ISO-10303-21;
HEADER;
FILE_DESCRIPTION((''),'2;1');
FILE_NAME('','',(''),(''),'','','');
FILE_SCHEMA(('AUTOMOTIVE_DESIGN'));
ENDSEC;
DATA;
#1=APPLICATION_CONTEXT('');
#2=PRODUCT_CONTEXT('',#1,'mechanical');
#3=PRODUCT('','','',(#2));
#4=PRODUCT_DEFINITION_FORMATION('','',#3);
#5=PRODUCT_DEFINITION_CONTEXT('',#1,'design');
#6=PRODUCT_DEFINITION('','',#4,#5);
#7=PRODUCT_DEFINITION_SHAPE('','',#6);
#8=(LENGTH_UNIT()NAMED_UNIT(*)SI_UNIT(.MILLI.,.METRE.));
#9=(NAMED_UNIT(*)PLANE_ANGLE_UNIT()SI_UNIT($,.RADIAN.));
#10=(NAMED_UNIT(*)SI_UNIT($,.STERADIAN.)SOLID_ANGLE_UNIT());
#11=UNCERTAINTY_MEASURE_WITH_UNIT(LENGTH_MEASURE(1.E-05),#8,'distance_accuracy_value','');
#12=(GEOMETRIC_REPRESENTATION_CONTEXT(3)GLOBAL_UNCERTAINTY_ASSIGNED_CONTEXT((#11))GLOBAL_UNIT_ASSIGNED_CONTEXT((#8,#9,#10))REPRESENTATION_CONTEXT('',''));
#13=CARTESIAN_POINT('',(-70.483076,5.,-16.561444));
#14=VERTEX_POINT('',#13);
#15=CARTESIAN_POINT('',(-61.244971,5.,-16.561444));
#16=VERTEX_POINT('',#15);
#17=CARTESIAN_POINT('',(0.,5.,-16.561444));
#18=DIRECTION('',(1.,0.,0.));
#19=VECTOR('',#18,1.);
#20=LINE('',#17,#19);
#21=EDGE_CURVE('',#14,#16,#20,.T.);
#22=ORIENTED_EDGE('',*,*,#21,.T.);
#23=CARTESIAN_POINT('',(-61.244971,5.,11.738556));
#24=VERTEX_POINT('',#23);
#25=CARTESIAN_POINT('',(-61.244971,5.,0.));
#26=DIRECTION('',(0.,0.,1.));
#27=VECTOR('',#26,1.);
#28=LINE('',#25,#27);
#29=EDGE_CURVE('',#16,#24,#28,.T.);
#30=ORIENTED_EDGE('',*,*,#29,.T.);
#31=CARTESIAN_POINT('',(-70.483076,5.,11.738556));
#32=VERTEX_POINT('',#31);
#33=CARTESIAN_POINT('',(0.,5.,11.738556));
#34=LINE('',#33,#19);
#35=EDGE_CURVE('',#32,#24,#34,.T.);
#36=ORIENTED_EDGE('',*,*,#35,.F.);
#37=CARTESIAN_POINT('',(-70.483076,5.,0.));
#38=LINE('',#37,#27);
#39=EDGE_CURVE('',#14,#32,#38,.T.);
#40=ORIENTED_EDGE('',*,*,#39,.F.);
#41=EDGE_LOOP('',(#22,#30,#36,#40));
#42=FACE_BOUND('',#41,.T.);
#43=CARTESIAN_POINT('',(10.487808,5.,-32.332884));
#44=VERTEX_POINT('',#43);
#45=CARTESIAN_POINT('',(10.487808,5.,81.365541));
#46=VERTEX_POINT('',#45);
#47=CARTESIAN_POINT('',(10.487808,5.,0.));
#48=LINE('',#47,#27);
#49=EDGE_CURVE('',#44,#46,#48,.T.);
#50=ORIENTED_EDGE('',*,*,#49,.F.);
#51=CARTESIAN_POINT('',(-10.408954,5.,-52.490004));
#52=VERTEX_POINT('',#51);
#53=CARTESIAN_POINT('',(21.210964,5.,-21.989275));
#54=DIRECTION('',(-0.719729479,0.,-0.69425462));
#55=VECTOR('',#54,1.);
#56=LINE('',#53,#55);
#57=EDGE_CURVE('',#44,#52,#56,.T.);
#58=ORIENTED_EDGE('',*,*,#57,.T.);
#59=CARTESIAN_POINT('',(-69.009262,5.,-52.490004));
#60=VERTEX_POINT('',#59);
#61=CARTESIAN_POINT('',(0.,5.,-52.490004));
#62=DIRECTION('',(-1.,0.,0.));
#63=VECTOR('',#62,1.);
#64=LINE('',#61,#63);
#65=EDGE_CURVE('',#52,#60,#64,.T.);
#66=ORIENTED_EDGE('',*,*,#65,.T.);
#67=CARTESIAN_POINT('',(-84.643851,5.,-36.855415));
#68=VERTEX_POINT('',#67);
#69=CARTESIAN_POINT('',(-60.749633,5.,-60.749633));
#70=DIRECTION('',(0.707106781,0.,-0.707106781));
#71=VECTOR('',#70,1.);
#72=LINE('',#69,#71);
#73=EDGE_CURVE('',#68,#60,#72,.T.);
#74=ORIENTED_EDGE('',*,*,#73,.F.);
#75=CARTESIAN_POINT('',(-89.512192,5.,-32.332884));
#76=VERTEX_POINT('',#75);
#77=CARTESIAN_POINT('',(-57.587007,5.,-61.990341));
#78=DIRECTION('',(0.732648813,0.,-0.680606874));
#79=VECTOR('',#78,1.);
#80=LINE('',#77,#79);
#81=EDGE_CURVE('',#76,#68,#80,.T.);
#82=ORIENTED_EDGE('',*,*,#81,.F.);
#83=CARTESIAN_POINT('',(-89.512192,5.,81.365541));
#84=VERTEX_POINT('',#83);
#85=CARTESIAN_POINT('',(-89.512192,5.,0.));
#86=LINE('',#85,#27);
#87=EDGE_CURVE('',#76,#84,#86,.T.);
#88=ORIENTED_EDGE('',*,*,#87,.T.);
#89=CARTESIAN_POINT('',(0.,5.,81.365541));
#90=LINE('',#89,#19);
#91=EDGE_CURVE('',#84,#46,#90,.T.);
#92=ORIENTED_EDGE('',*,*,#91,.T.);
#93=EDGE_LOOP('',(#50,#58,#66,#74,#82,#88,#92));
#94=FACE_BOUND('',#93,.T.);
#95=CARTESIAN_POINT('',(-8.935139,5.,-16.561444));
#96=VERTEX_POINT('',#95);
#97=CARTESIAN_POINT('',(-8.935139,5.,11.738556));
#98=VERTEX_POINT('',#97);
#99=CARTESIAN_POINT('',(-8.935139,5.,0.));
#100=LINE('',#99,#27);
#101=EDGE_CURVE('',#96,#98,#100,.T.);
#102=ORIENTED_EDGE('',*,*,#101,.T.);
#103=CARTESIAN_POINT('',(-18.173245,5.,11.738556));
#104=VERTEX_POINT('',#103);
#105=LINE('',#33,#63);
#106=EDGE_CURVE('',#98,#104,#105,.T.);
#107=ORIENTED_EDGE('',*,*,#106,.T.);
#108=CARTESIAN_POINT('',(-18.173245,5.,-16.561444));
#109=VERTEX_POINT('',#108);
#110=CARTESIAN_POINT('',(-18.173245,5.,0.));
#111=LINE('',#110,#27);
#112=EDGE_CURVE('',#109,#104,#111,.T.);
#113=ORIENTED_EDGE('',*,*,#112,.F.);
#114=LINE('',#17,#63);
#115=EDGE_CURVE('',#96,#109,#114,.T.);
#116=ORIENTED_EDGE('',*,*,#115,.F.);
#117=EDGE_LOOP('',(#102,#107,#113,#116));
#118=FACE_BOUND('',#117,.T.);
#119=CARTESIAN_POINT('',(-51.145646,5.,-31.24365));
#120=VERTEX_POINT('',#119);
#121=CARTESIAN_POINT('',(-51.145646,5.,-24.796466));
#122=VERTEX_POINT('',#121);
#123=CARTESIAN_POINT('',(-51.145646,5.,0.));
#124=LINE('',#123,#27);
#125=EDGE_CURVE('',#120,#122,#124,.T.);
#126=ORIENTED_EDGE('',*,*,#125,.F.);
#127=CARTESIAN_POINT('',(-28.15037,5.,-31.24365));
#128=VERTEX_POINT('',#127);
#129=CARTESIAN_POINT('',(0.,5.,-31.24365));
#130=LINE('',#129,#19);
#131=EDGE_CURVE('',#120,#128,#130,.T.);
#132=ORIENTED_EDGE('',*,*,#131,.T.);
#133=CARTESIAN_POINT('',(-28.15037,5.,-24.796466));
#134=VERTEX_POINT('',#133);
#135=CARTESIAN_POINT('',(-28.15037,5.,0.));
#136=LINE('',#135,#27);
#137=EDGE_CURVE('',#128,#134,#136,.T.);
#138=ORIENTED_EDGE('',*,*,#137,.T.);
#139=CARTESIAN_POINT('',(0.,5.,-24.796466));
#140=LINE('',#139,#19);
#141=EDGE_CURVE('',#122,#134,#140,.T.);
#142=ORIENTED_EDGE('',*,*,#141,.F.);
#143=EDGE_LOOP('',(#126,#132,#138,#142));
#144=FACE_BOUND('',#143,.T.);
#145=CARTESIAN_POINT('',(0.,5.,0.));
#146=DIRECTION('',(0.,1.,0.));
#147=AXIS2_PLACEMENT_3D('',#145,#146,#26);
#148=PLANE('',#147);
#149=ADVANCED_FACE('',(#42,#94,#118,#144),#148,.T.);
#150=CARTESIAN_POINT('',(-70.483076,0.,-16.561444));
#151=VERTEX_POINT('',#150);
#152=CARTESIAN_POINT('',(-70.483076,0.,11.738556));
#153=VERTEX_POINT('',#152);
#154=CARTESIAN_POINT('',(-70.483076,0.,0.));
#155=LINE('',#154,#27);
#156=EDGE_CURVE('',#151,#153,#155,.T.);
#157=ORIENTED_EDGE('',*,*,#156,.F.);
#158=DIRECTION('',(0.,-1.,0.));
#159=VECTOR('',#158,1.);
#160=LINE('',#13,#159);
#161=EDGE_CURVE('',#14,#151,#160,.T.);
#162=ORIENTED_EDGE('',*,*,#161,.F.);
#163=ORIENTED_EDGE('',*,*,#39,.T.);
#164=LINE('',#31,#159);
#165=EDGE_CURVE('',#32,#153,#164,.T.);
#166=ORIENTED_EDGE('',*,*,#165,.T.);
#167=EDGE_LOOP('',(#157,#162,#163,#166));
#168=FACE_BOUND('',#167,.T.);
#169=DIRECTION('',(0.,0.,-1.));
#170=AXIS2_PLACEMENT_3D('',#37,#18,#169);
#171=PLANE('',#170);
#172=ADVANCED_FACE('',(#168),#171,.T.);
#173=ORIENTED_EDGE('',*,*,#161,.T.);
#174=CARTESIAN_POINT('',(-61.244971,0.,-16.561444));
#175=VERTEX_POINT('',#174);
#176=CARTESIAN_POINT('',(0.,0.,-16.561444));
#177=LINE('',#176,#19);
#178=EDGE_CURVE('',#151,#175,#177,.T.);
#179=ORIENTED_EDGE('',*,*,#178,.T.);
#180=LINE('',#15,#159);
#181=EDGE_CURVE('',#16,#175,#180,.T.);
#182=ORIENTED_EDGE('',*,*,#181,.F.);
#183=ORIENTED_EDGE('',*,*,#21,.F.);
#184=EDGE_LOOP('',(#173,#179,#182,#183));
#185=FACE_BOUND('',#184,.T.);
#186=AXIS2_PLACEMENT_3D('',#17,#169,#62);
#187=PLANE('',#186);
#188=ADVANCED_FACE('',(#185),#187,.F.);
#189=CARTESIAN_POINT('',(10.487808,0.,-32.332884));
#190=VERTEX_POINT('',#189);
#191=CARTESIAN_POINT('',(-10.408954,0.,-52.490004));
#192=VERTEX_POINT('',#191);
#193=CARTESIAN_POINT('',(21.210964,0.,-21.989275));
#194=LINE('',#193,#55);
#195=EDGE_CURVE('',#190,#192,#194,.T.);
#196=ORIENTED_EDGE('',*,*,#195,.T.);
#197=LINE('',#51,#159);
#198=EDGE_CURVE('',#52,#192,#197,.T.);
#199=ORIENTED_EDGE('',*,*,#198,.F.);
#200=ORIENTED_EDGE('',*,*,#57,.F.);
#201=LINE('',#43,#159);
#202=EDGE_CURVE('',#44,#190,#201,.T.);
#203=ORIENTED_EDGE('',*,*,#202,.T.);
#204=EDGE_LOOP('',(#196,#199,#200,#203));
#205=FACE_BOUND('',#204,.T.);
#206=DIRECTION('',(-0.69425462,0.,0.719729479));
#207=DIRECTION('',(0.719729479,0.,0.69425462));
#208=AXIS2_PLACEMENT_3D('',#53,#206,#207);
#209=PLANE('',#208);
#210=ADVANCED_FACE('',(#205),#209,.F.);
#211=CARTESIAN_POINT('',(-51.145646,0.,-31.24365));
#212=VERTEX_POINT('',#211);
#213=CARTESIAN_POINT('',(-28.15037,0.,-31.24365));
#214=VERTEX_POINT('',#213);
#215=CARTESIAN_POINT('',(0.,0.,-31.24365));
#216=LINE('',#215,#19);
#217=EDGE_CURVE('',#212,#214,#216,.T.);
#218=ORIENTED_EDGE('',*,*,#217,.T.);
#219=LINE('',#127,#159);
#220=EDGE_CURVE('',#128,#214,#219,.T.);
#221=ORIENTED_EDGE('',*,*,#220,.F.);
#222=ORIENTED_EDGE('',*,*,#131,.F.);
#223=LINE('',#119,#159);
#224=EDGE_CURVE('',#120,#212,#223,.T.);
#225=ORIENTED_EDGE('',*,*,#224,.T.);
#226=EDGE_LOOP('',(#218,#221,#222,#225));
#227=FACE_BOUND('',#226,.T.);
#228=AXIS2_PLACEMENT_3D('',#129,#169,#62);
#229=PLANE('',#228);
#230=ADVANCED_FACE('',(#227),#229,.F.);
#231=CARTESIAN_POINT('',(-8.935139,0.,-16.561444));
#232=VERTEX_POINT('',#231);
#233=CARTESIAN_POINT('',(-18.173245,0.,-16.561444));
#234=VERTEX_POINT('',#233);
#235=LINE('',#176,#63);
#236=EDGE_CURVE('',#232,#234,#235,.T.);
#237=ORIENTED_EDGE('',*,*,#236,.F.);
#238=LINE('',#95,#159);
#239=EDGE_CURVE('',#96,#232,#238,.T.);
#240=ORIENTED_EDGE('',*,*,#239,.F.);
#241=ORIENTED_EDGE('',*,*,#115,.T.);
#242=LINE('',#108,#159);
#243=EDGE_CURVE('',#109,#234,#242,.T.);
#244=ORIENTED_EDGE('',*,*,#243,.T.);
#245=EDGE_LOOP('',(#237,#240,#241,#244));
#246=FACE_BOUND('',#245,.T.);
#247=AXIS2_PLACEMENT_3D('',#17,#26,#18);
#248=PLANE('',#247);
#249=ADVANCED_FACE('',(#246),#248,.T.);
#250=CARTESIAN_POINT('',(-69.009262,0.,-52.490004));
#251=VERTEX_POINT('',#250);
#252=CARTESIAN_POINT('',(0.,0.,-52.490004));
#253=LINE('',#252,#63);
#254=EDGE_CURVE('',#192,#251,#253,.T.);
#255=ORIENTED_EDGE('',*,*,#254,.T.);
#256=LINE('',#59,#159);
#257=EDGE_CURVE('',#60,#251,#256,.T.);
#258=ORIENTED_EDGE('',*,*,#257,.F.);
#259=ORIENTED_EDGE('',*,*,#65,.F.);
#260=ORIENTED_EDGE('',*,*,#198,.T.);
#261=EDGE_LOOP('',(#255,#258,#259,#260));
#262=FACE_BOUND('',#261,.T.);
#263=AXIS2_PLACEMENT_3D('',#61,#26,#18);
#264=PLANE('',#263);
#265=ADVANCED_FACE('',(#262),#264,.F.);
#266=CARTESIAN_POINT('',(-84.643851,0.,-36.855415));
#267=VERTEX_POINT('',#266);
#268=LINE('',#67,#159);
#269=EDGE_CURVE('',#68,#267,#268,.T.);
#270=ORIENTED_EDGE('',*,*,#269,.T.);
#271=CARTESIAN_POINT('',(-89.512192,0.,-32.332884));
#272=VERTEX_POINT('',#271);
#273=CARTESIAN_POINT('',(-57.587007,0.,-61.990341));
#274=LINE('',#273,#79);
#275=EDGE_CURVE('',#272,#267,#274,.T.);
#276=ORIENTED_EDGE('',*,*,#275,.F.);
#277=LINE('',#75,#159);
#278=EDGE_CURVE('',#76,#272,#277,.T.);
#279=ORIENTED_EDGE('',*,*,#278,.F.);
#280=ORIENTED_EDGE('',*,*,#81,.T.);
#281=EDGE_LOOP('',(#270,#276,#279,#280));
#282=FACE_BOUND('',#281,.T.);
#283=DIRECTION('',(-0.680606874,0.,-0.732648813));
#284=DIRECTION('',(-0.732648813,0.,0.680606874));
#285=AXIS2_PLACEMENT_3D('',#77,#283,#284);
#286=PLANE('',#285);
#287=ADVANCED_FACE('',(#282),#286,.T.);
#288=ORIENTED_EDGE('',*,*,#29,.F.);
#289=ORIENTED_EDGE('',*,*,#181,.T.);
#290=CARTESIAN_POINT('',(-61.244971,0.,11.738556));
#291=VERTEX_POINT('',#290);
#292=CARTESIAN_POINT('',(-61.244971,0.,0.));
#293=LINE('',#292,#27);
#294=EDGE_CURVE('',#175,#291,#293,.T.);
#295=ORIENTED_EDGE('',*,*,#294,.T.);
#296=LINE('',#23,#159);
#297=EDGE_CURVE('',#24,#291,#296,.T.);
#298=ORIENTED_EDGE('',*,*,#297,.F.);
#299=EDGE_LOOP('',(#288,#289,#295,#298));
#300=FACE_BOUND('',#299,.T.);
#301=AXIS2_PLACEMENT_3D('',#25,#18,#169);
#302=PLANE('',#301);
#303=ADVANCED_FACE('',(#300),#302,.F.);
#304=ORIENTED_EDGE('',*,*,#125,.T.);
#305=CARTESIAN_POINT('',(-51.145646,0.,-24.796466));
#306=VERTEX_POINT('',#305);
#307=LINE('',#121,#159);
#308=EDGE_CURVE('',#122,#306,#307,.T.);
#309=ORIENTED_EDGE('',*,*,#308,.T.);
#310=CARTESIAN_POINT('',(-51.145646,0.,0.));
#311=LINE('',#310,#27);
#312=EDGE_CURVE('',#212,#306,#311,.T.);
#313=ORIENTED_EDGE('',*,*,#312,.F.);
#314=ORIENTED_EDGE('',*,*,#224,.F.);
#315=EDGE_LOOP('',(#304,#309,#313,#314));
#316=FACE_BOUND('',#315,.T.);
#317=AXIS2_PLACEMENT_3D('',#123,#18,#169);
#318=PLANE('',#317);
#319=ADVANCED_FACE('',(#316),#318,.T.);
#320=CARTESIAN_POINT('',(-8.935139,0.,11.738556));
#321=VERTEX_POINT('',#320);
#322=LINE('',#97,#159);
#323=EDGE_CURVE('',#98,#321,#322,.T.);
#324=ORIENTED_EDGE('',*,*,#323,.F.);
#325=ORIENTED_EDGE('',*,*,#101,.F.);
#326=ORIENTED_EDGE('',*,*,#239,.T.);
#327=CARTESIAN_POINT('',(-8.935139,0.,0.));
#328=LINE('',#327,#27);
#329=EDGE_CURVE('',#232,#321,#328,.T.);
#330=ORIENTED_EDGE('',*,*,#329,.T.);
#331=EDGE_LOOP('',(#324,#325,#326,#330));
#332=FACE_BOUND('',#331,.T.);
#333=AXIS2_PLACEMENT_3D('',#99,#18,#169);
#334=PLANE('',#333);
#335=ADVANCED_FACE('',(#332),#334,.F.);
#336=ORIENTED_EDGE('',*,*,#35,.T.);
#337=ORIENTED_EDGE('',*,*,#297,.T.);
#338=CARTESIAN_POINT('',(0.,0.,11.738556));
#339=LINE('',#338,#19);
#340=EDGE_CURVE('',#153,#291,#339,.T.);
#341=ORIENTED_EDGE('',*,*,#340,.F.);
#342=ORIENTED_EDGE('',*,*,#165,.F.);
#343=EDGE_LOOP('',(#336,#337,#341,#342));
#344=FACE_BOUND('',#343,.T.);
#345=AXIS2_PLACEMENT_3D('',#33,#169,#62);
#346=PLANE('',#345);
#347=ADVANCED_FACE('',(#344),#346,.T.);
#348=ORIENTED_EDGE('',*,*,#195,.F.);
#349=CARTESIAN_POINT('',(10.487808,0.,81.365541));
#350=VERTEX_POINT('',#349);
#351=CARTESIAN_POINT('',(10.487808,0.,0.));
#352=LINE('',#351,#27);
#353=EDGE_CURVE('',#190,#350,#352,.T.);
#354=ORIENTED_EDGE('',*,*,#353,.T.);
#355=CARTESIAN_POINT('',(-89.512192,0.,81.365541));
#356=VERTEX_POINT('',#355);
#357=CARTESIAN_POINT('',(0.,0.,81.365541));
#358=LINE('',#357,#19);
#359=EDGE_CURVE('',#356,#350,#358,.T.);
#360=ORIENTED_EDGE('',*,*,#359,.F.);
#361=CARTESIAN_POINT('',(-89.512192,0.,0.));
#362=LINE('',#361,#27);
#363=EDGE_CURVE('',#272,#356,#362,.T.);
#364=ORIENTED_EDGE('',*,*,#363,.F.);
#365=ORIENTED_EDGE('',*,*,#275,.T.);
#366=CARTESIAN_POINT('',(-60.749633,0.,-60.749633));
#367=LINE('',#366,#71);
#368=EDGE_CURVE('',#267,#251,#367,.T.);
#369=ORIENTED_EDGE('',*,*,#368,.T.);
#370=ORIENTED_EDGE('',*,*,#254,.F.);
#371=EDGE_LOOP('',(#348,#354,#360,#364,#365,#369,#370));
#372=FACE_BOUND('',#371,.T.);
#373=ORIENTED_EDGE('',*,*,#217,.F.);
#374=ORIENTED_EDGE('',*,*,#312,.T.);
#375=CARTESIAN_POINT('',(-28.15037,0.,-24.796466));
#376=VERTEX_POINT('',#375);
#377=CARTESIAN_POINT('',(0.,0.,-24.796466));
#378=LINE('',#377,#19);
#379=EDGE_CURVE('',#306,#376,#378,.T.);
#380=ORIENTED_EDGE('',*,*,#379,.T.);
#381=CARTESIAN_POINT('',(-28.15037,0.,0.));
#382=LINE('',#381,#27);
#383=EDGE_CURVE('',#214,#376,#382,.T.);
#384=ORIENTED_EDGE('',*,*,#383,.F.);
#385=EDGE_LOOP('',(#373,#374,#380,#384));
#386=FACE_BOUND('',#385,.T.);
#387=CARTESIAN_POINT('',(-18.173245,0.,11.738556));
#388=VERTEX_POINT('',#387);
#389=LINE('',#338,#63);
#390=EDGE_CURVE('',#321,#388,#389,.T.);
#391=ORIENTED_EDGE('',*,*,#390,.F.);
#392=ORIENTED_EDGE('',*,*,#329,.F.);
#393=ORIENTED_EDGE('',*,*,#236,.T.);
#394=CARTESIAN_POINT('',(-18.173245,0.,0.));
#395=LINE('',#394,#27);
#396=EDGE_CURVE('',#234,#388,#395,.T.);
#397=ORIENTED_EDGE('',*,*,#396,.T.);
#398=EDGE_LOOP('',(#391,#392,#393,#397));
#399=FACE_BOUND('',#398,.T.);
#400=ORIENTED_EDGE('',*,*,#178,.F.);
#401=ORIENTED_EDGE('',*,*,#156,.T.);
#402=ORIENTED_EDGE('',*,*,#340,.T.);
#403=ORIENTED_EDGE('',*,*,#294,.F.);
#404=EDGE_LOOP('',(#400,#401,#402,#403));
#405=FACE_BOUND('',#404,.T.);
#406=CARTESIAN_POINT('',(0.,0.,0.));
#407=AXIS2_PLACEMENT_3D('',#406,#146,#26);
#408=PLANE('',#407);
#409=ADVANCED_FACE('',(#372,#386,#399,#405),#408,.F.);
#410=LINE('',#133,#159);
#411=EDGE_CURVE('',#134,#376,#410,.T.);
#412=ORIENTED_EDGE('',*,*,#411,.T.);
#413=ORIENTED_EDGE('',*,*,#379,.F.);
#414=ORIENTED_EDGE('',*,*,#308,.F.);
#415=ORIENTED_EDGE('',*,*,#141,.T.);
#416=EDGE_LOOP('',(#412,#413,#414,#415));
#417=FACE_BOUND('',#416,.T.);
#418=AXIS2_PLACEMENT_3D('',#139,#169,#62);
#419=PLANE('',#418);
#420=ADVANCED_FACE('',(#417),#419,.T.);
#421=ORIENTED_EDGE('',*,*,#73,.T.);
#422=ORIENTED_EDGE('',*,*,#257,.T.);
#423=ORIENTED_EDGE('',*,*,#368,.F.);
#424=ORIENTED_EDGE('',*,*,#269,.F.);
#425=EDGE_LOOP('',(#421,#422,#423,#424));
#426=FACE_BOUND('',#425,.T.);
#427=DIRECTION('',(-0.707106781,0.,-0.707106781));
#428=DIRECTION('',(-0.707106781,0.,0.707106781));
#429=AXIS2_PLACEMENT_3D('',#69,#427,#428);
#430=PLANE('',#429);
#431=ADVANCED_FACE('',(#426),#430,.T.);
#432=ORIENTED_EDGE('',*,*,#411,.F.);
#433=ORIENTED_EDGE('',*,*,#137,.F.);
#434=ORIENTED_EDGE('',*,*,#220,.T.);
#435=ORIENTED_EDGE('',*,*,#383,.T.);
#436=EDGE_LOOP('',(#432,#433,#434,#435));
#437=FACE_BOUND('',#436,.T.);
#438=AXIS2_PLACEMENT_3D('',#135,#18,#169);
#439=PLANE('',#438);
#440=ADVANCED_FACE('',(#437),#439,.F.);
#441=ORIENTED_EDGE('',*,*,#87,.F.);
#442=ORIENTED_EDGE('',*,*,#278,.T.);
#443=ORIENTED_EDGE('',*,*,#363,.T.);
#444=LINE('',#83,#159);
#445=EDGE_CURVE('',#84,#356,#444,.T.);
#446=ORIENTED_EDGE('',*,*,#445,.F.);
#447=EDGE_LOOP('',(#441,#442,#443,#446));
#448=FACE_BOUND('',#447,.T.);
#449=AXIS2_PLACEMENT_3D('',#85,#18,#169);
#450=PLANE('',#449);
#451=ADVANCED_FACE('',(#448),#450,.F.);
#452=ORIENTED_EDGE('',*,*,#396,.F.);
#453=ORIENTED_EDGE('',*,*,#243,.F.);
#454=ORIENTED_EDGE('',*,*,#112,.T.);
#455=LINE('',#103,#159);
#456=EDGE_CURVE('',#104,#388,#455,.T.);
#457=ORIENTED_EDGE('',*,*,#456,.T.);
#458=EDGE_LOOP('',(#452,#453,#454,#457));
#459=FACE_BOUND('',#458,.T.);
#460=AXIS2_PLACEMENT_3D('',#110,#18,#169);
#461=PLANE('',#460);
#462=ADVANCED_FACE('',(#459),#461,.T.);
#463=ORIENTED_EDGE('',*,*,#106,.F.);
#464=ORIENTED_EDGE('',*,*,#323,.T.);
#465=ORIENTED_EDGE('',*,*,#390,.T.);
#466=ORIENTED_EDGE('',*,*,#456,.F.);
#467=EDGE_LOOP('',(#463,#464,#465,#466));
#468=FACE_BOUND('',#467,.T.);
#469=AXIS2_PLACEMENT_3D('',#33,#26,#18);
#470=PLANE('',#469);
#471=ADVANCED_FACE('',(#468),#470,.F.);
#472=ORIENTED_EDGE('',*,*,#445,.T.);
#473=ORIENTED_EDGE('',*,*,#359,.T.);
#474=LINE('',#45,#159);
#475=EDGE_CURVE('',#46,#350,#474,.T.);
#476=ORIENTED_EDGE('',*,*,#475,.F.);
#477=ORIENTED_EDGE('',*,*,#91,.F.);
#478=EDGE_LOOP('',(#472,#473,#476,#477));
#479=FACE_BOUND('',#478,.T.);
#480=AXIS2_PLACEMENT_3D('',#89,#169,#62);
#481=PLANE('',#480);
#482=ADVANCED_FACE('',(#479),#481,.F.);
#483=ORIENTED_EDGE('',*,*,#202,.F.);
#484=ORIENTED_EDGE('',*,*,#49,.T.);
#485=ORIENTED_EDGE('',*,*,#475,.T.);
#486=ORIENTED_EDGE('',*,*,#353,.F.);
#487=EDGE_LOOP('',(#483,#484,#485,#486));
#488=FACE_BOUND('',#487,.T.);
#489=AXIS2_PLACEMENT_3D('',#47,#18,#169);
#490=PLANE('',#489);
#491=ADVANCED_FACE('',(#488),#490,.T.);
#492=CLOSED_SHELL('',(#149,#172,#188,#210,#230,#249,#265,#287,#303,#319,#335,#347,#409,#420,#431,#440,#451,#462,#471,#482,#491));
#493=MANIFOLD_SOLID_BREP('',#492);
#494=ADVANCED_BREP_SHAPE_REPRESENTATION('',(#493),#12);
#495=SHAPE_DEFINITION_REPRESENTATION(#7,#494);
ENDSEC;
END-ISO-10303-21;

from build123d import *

# Parameters (mm, degrees)
SKETCH1_W           = 9.23810595
SKETCH1_H           = 28.3
SKETCH1_W_2         = 22.995276356
SKETCH1_H_2         = 6.447183695
BOSS_EXTRUDE1_DEPTH = 5


with BuildPart() as part:
    # Sketch1 → Boss-Extrude1 (new body)
    with BuildSketch(Plane(origin=(0, 0, 0), x_dir=(1, 0, 0), z_dir=(0, 1, 0))):
        Polygon((-84.64385089, 36.855414935), (-89.512192258, 32.332884436), (-89.512192258, -81.365540516), (10.487807742, -81.365540516), (10.487807742, 32.332884436), (-10.408953914, 52.490004223), (-69.009261602, 52.490004223), align=None)
        with Locations((-65.864023501, 2.411444329)):
            Rectangle(SKETCH1_W, SKETCH1_H, mode=Mode.SUBTRACT)
        with Locations((-39.648008145, 28.020058308)):
            Rectangle(SKETCH1_W_2, SKETCH1_H_2, mode=Mode.SUBTRACT)
        with Locations((-13.554192015, 2.411444329)):
            Rectangle(SKETCH1_W, SKETCH1_H, mode=Mode.SUBTRACT)
    extrude(amount=BOSS_EXTRUDE1_DEPTH)


solid = part.part
